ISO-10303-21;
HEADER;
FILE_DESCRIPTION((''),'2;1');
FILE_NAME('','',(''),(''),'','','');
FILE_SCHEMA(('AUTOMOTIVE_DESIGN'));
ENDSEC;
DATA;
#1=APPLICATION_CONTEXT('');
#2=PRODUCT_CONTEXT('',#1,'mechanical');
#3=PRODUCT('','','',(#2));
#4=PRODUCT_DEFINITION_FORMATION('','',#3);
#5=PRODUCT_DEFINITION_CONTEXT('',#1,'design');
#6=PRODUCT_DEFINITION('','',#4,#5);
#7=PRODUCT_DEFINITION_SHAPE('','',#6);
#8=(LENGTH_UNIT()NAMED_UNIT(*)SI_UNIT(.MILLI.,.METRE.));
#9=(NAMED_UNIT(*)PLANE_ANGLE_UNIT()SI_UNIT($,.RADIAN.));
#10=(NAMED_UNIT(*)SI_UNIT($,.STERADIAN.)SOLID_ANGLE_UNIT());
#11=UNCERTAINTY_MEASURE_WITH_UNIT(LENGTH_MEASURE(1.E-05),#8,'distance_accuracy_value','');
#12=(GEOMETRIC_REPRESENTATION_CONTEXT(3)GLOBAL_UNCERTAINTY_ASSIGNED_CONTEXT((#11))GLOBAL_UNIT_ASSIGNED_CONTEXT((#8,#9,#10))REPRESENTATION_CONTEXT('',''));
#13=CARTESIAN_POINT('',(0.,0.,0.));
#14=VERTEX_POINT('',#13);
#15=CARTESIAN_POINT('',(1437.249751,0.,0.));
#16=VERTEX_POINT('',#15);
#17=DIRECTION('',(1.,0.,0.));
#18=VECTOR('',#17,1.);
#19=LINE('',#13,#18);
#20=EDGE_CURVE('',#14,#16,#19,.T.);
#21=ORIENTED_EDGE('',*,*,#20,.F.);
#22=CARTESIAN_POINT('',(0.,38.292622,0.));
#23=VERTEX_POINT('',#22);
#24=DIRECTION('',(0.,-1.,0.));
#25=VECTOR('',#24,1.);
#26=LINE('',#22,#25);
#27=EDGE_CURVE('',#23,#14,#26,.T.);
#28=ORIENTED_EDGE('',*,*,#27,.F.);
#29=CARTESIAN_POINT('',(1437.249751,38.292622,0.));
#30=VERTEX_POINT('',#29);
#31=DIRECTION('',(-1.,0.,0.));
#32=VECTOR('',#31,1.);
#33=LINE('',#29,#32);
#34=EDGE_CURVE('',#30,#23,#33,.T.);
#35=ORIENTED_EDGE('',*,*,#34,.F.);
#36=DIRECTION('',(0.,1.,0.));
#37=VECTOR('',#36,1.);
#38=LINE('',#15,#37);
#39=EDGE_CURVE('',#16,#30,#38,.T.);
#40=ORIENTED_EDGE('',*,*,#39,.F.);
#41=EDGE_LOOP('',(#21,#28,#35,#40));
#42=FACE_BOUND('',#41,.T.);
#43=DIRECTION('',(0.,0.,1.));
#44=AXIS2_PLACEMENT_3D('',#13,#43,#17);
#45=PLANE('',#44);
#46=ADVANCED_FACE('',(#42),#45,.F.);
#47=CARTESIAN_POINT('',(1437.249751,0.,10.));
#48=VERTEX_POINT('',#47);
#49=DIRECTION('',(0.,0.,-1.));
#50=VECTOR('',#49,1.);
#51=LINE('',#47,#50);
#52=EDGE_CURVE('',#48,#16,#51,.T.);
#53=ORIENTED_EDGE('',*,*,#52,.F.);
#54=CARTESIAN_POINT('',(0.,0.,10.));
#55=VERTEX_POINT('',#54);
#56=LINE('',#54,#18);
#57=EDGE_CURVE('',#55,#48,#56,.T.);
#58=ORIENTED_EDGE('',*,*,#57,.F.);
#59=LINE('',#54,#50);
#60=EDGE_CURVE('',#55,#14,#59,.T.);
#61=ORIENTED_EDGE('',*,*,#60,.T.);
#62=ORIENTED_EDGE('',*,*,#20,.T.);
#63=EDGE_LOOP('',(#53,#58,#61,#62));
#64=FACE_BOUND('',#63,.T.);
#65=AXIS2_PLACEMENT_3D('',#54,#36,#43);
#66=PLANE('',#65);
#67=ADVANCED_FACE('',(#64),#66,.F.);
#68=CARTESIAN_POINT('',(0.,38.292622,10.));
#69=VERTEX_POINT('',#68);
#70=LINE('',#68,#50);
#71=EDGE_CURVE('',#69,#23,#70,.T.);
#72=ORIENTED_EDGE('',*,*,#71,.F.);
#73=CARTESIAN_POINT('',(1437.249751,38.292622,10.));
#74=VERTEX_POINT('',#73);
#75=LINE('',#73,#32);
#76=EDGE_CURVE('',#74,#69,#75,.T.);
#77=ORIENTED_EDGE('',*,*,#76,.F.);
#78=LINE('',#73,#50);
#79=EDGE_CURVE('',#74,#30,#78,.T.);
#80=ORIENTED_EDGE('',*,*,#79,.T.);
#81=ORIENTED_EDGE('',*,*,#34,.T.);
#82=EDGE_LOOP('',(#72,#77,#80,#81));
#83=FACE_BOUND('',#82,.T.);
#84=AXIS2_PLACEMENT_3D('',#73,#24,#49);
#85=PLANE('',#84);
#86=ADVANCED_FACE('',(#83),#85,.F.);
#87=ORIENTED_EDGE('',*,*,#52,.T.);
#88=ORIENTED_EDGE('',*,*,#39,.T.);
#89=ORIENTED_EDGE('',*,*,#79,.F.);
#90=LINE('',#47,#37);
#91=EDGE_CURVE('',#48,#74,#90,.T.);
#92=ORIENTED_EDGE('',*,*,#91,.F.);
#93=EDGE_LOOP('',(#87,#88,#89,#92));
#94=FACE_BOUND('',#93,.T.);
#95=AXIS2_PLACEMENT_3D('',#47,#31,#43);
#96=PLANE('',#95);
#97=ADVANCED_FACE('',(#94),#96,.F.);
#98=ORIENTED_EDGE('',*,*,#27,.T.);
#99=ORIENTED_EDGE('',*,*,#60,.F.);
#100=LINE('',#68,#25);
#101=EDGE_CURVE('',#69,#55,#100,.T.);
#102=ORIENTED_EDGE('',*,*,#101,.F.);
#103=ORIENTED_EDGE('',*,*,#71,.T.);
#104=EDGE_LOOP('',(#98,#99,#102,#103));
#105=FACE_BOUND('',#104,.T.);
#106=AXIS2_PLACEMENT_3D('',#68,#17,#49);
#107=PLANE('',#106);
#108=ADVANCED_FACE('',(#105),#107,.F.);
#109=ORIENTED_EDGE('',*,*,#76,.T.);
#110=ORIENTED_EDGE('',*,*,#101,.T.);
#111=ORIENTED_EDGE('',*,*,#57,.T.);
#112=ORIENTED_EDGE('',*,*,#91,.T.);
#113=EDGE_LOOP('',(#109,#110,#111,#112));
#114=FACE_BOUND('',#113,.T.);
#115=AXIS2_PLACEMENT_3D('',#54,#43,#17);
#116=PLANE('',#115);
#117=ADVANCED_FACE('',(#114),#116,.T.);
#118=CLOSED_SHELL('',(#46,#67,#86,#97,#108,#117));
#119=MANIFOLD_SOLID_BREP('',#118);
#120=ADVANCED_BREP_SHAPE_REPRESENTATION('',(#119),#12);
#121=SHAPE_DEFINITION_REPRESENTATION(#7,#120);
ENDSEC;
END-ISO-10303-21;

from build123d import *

# Parameters (mm, degrees)
SKETCH1_W           = 1437.249750812
SKETCH1_H           = 38.292622135
BOSS_EXTRUDE1_DEPTH = 10


with BuildPart() as part:
    # Sketch1 → Boss-Extrude1 (new body)
    with BuildSketch(Plane.XY):
        with Locations((718.624875406, 19.146311068)):
            Rectangle(SKETCH1_W, SKETCH1_H)
    extrude(amount=BOSS_EXTRUDE1_DEPTH)


solid = part.part
